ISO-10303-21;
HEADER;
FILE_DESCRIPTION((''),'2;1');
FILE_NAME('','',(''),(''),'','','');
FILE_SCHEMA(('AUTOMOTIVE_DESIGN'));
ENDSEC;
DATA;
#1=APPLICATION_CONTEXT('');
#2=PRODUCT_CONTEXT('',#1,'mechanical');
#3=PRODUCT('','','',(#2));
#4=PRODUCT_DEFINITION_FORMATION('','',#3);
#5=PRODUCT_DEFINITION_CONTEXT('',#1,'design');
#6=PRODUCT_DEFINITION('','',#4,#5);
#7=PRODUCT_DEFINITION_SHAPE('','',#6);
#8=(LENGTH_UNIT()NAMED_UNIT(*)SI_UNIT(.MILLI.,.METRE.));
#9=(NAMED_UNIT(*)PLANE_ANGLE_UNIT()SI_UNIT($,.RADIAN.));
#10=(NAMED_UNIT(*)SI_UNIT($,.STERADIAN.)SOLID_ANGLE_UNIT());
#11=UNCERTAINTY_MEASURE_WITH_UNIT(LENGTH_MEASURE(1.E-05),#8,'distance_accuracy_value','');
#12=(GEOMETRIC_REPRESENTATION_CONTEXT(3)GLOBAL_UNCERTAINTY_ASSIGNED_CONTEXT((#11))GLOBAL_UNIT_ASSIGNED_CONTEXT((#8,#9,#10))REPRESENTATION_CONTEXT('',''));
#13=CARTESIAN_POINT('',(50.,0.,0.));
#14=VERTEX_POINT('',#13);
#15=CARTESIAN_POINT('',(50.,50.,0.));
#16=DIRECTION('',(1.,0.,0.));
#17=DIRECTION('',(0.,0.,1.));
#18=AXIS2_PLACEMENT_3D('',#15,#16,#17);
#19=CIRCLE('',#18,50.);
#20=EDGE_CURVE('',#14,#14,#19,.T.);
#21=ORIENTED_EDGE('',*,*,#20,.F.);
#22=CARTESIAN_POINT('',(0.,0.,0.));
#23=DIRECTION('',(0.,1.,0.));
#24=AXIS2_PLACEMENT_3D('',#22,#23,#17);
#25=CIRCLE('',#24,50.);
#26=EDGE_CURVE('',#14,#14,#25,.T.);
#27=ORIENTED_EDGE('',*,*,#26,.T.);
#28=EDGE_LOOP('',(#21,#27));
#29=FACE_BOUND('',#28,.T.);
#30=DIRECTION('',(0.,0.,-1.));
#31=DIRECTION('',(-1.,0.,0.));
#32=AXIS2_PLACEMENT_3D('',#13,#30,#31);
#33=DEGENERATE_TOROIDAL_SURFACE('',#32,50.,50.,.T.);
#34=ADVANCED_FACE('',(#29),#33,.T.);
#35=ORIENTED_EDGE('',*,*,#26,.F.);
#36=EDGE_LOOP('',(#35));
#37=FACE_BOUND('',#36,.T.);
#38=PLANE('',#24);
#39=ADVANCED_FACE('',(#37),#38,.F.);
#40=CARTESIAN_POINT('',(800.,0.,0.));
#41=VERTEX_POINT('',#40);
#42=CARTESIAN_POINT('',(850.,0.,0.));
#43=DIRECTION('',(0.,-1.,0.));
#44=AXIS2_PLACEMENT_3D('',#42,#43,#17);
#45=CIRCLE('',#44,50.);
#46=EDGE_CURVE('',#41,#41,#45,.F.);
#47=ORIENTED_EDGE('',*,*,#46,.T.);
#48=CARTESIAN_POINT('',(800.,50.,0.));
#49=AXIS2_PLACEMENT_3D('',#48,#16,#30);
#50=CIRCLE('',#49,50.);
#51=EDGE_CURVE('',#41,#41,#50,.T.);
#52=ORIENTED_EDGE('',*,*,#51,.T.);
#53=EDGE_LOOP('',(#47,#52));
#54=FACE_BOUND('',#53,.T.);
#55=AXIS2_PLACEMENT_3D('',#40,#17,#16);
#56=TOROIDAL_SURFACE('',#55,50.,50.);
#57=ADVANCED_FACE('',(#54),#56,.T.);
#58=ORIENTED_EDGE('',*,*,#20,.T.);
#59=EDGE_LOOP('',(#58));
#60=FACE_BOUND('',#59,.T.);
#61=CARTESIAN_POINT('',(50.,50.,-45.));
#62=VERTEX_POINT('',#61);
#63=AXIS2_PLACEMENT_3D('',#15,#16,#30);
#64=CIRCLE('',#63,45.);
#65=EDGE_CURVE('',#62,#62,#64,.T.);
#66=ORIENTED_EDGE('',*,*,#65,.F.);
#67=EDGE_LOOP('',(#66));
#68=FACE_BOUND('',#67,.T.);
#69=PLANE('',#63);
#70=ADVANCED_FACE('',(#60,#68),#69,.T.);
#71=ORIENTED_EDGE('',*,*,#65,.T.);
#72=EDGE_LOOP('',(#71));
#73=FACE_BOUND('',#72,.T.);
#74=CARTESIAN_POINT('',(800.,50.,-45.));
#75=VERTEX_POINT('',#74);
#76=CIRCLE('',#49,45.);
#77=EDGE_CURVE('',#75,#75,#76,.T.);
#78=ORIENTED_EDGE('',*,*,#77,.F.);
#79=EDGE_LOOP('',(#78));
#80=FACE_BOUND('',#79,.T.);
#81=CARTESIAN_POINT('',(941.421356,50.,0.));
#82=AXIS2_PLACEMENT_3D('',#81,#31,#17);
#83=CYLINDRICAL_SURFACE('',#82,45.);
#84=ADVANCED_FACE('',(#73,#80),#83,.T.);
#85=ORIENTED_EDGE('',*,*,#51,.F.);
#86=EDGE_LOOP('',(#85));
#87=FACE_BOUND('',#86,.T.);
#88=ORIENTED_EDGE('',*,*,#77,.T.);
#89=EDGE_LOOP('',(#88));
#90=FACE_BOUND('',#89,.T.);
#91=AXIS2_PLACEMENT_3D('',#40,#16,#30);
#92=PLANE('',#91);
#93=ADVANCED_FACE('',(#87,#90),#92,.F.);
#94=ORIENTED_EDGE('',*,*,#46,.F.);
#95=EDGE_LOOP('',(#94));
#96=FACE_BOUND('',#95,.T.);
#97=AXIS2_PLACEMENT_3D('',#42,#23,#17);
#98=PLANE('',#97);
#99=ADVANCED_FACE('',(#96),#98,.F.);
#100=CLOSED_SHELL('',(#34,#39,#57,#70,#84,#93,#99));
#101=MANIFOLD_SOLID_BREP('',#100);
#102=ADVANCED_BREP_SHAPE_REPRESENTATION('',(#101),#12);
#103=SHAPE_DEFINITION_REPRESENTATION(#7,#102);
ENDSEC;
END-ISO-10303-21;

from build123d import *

# Parameters (mm, degrees)
SKETCH2_R           = 50
SKETCH5_R           = 50
BOSS_EXTRUDE1_DEPTH = 750
SKETCH6_R           = 50
SKETCH6_R_2         = 45
CUT_EXTRUDE1_DEPTH  = 750


with BuildPart() as part:
    # Sweep1: sweep along a path in Sketch4
    with BuildLine(Plane.XY) as sweep1_path:
        ThreePointArc((0, 0), (14.644660941, 35.355339059), (50, 50))
    # Sketch2 → Sweep1 (sweep)
    with BuildSketch(Plane(origin=(0, 0, 0), x_dir=(1, 0, 0), z_dir=(0, 1, 0))):
        Circle(SKETCH2_R)
    sweep1 = sweep(path=sweep1_path.line)

    # Sketch5 → Boss-Extrude1 (add)
    with BuildSketch(Plane(origin=(50, 0, 0), x_dir=(0, 0, -1), z_dir=(1, 0, 0))):
        with Locations(Location((0, 50, 0), (0, 0, 270))):
            Circle(SKETCH5_R)
    extrude(amount=BOSS_EXTRUDE1_DEPTH)

    # Mirror1: Sweep1 across plane
    add(sweep1.mirror(Plane(origin=(425, 0, 0), x_dir=(0, 0, 1), z_dir=(1, 0, 0))))

    # Sketch6 → Cut-Extrude1 (cut)
    with BuildSketch(Plane(origin=(50, 0, 0), x_dir=(0, 0, -1), z_dir=(1, 0, 0))):
        with Locations((0, 50)):
            Circle(SKETCH6_R)
        with Locations((0, 50)):
            Circle(SKETCH6_R_2, mode=Mode.SUBTRACT)
    extrude(amount=CUT_EXTRUDE1_DEPTH, mode=Mode.SUBTRACT)


solid = part.part
